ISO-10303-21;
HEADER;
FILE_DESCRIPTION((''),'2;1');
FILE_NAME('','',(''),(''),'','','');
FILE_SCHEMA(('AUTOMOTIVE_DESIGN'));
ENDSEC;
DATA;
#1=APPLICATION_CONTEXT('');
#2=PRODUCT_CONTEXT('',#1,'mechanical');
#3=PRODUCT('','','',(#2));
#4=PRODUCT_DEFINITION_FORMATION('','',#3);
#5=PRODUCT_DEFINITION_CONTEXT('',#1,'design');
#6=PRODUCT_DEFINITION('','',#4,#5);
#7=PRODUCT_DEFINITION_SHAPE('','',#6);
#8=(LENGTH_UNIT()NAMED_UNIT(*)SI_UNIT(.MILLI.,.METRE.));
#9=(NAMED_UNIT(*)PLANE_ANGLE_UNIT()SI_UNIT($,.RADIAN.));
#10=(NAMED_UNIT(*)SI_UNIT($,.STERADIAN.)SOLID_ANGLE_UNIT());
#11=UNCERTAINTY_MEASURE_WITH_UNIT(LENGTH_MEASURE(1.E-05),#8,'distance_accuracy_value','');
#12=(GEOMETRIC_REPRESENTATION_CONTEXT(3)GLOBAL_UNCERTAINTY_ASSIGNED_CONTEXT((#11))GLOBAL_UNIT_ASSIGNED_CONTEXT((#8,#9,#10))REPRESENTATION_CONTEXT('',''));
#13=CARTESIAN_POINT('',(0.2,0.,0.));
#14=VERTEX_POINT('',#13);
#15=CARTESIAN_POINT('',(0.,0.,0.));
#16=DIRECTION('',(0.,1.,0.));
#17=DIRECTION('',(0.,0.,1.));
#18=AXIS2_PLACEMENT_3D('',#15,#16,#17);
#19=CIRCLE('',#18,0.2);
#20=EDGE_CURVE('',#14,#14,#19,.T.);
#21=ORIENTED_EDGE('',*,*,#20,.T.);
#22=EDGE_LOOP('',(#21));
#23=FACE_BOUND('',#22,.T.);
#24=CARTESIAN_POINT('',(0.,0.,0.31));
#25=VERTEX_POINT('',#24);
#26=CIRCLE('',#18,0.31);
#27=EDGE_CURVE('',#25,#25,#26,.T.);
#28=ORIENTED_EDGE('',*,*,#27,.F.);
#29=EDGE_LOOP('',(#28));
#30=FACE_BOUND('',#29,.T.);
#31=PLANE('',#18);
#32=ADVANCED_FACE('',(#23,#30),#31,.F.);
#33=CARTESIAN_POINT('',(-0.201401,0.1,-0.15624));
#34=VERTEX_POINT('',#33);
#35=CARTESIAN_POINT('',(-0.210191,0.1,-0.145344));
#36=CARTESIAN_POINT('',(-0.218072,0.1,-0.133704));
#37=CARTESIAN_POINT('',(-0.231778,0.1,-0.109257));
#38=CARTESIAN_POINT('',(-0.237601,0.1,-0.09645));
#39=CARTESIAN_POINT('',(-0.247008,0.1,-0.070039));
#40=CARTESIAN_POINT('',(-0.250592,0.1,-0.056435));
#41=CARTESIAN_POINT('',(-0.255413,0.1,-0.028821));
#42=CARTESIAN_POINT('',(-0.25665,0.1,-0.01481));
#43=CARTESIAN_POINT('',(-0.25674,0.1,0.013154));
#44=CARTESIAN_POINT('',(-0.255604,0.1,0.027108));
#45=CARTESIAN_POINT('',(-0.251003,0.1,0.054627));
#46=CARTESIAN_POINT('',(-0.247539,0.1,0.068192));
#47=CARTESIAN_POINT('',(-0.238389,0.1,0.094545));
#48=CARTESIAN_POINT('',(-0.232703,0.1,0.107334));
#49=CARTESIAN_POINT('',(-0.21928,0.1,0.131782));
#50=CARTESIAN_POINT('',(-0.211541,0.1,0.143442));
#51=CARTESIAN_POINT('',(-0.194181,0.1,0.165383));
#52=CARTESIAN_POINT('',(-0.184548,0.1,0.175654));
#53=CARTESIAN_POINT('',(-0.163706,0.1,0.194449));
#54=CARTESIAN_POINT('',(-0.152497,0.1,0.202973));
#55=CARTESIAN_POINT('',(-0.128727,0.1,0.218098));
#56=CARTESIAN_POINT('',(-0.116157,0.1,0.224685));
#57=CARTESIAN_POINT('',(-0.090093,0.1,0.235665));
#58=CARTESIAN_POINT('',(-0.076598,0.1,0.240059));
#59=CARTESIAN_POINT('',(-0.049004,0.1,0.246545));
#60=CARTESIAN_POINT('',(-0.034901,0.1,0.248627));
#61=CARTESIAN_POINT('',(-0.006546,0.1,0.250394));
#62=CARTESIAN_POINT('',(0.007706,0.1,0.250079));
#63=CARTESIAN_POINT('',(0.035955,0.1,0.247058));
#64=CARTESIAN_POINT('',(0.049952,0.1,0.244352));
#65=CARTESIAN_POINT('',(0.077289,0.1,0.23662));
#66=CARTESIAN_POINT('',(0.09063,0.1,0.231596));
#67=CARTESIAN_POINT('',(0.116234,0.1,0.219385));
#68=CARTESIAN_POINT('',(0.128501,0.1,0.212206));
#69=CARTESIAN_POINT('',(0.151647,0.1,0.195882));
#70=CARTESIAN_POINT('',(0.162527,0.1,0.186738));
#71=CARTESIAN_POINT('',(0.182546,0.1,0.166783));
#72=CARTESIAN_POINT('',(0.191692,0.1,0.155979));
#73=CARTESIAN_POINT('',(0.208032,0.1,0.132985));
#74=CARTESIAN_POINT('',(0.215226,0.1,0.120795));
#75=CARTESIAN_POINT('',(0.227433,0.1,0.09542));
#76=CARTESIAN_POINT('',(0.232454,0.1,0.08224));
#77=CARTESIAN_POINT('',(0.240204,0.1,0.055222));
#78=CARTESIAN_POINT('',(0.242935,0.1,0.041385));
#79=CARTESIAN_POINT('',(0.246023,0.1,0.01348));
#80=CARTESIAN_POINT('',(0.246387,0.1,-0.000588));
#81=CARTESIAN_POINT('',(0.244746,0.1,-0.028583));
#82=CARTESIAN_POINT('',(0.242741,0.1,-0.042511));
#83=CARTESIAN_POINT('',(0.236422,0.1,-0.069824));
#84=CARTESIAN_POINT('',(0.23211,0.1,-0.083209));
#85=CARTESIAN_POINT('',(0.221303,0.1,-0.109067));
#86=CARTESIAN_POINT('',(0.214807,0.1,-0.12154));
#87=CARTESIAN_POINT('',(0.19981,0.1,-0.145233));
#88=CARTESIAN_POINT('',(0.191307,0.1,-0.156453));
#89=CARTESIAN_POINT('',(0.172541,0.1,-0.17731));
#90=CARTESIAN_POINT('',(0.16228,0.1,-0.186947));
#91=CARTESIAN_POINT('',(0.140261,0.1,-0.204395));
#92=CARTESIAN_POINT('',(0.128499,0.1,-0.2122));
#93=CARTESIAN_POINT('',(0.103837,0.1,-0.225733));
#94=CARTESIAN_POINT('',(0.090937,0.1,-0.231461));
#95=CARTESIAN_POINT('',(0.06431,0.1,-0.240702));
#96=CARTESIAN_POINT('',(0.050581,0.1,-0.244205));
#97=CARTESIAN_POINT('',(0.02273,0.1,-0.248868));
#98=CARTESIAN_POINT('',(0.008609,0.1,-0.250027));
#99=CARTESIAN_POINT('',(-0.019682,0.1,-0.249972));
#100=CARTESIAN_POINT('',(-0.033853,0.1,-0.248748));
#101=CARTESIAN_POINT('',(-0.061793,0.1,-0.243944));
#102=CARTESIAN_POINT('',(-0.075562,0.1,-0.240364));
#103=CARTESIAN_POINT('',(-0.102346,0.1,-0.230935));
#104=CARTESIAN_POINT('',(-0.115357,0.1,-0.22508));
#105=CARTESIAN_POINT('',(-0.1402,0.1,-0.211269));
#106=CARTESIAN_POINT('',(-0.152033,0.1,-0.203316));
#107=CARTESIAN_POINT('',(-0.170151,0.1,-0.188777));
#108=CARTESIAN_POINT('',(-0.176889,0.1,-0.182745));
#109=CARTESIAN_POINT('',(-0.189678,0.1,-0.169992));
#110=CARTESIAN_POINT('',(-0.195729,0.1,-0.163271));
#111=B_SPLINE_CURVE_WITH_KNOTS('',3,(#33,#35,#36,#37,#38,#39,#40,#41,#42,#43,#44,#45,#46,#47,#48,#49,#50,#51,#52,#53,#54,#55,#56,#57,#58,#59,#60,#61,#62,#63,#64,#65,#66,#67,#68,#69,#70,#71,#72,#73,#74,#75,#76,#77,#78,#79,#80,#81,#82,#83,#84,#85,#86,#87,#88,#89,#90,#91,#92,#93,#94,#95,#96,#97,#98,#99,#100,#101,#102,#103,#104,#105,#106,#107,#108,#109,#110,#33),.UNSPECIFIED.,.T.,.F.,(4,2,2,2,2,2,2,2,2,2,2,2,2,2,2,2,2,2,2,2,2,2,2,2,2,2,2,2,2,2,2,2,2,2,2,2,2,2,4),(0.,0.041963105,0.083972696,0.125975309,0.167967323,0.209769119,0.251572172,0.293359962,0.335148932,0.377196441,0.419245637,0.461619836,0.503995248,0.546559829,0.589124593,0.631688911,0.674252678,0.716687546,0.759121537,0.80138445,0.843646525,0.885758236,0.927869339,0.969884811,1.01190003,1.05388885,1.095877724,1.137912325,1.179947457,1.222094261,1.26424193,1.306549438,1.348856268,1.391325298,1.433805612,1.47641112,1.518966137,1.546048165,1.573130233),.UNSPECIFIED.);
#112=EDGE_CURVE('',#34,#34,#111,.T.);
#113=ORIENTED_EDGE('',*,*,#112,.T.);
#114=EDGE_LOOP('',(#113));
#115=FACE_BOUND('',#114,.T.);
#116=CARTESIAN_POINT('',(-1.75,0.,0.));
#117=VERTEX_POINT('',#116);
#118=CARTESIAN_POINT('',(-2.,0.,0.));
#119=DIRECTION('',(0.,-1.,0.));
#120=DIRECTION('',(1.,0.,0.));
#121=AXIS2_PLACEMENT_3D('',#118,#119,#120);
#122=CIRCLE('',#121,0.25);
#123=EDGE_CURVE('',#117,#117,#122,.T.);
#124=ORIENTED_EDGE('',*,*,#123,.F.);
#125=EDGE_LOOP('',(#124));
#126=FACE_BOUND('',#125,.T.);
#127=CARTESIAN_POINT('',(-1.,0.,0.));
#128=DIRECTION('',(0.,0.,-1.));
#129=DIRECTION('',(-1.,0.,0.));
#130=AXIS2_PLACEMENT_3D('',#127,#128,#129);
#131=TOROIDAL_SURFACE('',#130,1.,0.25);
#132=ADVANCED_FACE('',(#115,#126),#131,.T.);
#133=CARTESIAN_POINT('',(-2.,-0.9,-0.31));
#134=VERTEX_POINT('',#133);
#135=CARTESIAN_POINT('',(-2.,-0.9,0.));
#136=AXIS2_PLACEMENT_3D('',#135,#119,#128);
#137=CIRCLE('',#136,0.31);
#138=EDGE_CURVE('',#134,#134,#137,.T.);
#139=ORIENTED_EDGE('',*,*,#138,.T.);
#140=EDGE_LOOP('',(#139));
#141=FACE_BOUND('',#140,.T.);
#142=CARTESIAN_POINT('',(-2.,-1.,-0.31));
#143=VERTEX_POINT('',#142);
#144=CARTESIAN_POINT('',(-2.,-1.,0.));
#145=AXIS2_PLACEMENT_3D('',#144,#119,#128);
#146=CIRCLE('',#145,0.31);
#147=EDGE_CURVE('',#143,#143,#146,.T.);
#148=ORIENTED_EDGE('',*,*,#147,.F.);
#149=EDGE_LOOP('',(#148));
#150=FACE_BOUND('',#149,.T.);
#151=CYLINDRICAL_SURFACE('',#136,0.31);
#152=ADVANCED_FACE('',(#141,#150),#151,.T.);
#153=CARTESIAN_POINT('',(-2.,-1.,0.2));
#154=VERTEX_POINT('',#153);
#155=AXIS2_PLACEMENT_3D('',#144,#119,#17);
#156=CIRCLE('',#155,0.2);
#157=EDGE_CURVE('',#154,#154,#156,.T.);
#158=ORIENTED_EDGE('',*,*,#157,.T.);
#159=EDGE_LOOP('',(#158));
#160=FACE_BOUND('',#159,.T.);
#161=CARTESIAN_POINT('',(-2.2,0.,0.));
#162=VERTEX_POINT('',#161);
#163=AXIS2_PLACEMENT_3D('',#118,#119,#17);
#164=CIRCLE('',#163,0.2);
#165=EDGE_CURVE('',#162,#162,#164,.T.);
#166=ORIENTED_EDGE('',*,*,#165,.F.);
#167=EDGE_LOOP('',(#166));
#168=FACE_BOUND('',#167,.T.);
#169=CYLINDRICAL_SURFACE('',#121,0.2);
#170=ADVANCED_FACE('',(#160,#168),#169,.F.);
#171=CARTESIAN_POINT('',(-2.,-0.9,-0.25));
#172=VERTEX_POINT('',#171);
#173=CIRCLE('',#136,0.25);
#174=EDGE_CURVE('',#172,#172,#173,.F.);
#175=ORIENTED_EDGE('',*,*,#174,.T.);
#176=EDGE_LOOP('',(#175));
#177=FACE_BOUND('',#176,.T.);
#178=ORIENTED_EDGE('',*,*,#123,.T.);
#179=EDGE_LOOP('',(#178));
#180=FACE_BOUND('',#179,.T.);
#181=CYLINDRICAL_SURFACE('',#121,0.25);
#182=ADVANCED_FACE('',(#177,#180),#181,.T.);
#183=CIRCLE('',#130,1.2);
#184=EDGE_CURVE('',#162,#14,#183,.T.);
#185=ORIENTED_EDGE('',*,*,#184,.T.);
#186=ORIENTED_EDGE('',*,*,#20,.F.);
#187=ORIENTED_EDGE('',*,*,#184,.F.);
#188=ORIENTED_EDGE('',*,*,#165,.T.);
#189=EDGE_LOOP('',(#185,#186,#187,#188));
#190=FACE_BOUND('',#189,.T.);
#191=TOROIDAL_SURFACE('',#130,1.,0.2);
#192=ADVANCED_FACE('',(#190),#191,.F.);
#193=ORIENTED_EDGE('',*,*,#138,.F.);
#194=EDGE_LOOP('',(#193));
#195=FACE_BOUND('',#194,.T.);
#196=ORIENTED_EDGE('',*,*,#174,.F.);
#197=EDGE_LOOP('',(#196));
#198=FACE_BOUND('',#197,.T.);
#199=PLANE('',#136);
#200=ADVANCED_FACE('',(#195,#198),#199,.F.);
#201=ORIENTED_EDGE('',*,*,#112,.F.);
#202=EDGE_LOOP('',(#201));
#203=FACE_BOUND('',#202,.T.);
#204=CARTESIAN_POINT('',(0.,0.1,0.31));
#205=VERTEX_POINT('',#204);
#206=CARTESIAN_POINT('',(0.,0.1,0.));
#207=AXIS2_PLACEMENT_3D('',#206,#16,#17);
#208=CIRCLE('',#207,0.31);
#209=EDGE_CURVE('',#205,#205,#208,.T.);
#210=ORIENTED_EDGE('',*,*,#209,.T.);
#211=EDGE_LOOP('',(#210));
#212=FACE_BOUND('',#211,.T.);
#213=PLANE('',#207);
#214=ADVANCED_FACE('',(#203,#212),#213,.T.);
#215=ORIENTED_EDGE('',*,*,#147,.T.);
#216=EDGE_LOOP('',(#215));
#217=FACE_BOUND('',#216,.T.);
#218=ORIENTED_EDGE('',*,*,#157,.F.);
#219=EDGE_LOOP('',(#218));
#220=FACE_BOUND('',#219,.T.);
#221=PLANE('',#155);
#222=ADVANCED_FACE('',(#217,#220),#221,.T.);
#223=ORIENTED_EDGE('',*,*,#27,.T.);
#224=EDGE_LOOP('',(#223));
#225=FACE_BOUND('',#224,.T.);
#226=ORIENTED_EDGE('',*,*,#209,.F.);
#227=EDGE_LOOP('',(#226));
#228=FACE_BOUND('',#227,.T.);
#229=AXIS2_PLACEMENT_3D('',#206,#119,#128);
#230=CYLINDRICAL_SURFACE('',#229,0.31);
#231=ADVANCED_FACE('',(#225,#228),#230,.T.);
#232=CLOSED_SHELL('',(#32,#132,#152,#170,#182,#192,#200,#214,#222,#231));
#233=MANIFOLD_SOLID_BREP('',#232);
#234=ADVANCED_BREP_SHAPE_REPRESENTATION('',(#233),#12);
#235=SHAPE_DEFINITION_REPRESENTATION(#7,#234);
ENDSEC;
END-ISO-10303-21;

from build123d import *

# Parameters (mm, degrees)
SKETCH3_R    = 0.25
SKETCH3_R_2  = 0.2
SKETCH6_R    = 0.31
SKETCH6_R_2  = 0.21
SKETCH10_R   = 0.31
SKETCH10_R_2 = 0.21


with BuildPart() as part:
    # Sweep-Thin1: sweep along a path in Sketch1
    with BuildLine(Plane.XY) as sweep_thin1_path:
        Line((-2, -1), (-2, 0))
        ThreePointArc((-2, 0), (-1, 1), (0, 0))
    # Sketch3 → Sweep-Thin1 (sweep)
    with BuildSketch(Plane(origin=(0, 0, 0), x_dir=(1, 0, 0), z_dir=(0, 1, 0))):
        Circle(SKETCH3_R)
        Circle(SKETCH3_R_2, mode=Mode.SUBTRACT)
    sweep(path=sweep_thin1_path.line)

    # Sweep-Thin2: sweep along a path in Sketch5
    with BuildLine(Plane.XY) as sweep_thin2_path:
        Line((0, 0), (0, 0.1))
    # Sketch6 → Sweep-Thin2 (sweep)
    with BuildSketch(Plane(origin=(0, 0, 0), x_dir=(1, 0, 0), z_dir=(0, 1, 0))):
        Circle(SKETCH6_R)
        Circle(SKETCH6_R_2, mode=Mode.SUBTRACT)
    sweep(path=sweep_thin2_path.line)

    # Sweep-Thin3: sweep along a path in Sketch9
    with BuildLine(Plane(origin=(-2, 0, 0), x_dir=(0, 0, -1), z_dir=(1, 0, 0))) as sweep_thin3_path:
        Line((0, -1), (0, -0.9))
    # Sketch10 → Sweep-Thin3 (sweep)
    with BuildSketch(Plane(origin=(0, -1, 0), x_dir=(-1, 0, 0), z_dir=(0, -1, 0))):
        with Locations((2, 0)):
            Circle(SKETCH10_R)
        with Locations((2, 0)):
            Circle(SKETCH10_R_2, mode=Mode.SUBTRACT)
    sweep(path=sweep_thin3_path.line)


solid = part.part
